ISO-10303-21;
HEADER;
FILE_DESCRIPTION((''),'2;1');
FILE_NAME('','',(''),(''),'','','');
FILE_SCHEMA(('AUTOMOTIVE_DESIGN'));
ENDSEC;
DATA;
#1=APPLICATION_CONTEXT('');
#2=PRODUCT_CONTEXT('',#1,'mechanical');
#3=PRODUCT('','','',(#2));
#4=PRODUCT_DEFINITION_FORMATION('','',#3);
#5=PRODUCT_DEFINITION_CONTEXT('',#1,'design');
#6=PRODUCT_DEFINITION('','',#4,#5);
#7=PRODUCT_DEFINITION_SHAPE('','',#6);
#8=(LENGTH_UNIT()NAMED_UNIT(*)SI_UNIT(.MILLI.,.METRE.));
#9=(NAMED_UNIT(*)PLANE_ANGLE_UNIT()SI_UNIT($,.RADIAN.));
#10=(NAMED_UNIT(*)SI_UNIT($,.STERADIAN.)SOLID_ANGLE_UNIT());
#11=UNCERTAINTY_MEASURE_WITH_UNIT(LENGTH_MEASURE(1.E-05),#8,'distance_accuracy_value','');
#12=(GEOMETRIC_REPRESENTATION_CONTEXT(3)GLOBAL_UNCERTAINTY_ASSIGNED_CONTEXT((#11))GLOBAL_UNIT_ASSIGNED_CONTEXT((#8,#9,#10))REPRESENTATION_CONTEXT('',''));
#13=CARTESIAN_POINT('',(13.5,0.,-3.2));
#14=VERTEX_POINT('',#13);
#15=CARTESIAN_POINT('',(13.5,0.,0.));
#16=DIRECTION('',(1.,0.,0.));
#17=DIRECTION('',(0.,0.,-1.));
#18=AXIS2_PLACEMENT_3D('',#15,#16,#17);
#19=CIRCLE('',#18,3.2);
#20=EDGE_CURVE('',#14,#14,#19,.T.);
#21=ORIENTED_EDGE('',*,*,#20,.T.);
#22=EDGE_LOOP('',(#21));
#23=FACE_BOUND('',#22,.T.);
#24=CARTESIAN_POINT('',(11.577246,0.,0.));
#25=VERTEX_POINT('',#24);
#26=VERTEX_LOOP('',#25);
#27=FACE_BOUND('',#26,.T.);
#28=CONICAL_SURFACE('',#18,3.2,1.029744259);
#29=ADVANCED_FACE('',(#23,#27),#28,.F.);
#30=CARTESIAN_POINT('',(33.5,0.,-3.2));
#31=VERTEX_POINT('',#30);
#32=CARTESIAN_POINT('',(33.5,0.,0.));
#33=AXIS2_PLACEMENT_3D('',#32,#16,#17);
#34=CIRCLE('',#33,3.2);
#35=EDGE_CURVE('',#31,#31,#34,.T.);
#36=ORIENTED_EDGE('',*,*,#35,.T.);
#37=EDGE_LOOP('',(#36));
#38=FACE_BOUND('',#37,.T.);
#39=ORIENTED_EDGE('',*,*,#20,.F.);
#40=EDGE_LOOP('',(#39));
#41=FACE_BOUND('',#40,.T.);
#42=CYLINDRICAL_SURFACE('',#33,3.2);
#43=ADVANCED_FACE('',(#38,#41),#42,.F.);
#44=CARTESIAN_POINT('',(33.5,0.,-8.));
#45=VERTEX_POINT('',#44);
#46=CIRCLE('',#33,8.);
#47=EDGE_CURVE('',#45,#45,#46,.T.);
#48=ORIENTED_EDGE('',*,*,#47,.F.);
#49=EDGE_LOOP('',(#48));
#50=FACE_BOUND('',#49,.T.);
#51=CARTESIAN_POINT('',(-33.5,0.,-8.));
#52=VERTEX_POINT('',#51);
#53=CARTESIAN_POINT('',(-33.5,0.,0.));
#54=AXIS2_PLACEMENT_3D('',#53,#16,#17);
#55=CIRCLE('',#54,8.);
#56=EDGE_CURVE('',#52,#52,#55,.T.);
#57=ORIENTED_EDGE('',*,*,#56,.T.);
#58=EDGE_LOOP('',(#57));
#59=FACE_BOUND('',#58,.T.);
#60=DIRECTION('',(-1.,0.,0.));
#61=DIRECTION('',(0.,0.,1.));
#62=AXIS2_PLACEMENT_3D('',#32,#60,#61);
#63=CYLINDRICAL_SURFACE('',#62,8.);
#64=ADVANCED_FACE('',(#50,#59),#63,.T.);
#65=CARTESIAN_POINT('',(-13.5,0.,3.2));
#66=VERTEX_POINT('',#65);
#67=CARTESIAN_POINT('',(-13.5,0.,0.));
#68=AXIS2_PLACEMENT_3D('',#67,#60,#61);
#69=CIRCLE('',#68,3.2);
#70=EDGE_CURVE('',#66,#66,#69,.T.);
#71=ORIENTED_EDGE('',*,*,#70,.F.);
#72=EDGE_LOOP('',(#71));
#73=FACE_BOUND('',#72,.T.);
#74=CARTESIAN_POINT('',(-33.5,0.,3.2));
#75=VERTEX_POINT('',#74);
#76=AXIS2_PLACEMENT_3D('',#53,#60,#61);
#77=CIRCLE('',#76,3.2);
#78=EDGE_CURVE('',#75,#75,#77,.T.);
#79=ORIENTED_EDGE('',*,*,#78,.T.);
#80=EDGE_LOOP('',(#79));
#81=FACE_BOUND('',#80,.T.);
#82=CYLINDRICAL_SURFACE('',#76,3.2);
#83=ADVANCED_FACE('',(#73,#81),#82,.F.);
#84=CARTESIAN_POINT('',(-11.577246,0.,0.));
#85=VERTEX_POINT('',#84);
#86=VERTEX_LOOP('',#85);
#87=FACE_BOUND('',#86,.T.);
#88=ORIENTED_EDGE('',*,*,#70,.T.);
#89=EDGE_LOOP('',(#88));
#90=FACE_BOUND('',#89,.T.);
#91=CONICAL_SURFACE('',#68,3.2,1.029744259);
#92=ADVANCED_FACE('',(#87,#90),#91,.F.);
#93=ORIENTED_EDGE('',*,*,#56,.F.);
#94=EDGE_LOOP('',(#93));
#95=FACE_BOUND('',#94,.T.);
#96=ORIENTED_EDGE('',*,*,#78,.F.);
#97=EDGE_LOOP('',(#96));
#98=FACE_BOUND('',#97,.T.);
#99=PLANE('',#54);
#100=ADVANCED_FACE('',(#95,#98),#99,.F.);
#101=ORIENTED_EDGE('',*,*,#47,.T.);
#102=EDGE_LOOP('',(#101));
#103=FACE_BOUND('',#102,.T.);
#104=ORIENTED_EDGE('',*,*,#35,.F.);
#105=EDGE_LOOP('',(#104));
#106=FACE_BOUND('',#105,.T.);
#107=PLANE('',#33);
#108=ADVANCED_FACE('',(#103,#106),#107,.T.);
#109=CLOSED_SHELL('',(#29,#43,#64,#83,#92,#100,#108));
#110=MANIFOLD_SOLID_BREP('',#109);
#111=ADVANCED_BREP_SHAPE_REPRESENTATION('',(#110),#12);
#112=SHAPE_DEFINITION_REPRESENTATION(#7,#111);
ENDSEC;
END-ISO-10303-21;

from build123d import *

# Parameters (mm, degrees)
CROQUIS1_R                       = 8
SALIENTE_EXTRUIR1_DEPTH          = 33.5
TALADRO_DE_MARGEN_PARA_M61_D     = 6.4
TALADRO_DE_MARGEN_PARA_M61_DEPTH = 20
TALADRO_DE_MARGEN_PARA_M61_TIP   = 1.922753981
TALADRO_DE_MARGEN_PARA_M62_D     = 6.4
TALADRO_DE_MARGEN_PARA_M62_DEPTH = 20
TALADRO_DE_MARGEN_PARA_M62_TIP   = 1.922753981


with BuildPart() as part:
    # Croquis1 → Saliente-Extruir1 (new body, symmetric)
    with BuildSketch(Plane(origin=(0, 0, 0), x_dir=(0, 0, -1), z_dir=(1, 0, 0))):
        Circle(CROQUIS1_R)
    extrude(amount=SALIENTE_EXTRUIR1_DEPTH, both=True)

    # Taladro de margen para M61
    with Locations(Plane.ZY.offset(33.5)):
        with Locations((0, 0)):
            Hole(TALADRO_DE_MARGEN_PARA_M61_D / 2, depth=TALADRO_DE_MARGEN_PARA_M61_DEPTH)
            with Locations((0, 0, -(TALADRO_DE_MARGEN_PARA_M61_DEPTH + TALADRO_DE_MARGEN_PARA_M61_TIP / 2))):  # 118° drill point
                Cone(0, TALADRO_DE_MARGEN_PARA_M61_D / 2, TALADRO_DE_MARGEN_PARA_M61_TIP, mode=Mode.SUBTRACT)

    # Taladro de margen para M62
    with Locations(Plane(origin=(33.5, 0, 0), x_dir=(0, 0, -1), z_dir=(1, 0, 0))):
        with Locations((0, 0)):
            Hole(TALADRO_DE_MARGEN_PARA_M62_D / 2, depth=TALADRO_DE_MARGEN_PARA_M62_DEPTH)
            with Locations((0, 0, -(TALADRO_DE_MARGEN_PARA_M62_DEPTH + TALADRO_DE_MARGEN_PARA_M62_TIP / 2))):  # 118° drill point
                Cone(0, TALADRO_DE_MARGEN_PARA_M62_D / 2, TALADRO_DE_MARGEN_PARA_M62_TIP, mode=Mode.SUBTRACT)


solid = part.part
